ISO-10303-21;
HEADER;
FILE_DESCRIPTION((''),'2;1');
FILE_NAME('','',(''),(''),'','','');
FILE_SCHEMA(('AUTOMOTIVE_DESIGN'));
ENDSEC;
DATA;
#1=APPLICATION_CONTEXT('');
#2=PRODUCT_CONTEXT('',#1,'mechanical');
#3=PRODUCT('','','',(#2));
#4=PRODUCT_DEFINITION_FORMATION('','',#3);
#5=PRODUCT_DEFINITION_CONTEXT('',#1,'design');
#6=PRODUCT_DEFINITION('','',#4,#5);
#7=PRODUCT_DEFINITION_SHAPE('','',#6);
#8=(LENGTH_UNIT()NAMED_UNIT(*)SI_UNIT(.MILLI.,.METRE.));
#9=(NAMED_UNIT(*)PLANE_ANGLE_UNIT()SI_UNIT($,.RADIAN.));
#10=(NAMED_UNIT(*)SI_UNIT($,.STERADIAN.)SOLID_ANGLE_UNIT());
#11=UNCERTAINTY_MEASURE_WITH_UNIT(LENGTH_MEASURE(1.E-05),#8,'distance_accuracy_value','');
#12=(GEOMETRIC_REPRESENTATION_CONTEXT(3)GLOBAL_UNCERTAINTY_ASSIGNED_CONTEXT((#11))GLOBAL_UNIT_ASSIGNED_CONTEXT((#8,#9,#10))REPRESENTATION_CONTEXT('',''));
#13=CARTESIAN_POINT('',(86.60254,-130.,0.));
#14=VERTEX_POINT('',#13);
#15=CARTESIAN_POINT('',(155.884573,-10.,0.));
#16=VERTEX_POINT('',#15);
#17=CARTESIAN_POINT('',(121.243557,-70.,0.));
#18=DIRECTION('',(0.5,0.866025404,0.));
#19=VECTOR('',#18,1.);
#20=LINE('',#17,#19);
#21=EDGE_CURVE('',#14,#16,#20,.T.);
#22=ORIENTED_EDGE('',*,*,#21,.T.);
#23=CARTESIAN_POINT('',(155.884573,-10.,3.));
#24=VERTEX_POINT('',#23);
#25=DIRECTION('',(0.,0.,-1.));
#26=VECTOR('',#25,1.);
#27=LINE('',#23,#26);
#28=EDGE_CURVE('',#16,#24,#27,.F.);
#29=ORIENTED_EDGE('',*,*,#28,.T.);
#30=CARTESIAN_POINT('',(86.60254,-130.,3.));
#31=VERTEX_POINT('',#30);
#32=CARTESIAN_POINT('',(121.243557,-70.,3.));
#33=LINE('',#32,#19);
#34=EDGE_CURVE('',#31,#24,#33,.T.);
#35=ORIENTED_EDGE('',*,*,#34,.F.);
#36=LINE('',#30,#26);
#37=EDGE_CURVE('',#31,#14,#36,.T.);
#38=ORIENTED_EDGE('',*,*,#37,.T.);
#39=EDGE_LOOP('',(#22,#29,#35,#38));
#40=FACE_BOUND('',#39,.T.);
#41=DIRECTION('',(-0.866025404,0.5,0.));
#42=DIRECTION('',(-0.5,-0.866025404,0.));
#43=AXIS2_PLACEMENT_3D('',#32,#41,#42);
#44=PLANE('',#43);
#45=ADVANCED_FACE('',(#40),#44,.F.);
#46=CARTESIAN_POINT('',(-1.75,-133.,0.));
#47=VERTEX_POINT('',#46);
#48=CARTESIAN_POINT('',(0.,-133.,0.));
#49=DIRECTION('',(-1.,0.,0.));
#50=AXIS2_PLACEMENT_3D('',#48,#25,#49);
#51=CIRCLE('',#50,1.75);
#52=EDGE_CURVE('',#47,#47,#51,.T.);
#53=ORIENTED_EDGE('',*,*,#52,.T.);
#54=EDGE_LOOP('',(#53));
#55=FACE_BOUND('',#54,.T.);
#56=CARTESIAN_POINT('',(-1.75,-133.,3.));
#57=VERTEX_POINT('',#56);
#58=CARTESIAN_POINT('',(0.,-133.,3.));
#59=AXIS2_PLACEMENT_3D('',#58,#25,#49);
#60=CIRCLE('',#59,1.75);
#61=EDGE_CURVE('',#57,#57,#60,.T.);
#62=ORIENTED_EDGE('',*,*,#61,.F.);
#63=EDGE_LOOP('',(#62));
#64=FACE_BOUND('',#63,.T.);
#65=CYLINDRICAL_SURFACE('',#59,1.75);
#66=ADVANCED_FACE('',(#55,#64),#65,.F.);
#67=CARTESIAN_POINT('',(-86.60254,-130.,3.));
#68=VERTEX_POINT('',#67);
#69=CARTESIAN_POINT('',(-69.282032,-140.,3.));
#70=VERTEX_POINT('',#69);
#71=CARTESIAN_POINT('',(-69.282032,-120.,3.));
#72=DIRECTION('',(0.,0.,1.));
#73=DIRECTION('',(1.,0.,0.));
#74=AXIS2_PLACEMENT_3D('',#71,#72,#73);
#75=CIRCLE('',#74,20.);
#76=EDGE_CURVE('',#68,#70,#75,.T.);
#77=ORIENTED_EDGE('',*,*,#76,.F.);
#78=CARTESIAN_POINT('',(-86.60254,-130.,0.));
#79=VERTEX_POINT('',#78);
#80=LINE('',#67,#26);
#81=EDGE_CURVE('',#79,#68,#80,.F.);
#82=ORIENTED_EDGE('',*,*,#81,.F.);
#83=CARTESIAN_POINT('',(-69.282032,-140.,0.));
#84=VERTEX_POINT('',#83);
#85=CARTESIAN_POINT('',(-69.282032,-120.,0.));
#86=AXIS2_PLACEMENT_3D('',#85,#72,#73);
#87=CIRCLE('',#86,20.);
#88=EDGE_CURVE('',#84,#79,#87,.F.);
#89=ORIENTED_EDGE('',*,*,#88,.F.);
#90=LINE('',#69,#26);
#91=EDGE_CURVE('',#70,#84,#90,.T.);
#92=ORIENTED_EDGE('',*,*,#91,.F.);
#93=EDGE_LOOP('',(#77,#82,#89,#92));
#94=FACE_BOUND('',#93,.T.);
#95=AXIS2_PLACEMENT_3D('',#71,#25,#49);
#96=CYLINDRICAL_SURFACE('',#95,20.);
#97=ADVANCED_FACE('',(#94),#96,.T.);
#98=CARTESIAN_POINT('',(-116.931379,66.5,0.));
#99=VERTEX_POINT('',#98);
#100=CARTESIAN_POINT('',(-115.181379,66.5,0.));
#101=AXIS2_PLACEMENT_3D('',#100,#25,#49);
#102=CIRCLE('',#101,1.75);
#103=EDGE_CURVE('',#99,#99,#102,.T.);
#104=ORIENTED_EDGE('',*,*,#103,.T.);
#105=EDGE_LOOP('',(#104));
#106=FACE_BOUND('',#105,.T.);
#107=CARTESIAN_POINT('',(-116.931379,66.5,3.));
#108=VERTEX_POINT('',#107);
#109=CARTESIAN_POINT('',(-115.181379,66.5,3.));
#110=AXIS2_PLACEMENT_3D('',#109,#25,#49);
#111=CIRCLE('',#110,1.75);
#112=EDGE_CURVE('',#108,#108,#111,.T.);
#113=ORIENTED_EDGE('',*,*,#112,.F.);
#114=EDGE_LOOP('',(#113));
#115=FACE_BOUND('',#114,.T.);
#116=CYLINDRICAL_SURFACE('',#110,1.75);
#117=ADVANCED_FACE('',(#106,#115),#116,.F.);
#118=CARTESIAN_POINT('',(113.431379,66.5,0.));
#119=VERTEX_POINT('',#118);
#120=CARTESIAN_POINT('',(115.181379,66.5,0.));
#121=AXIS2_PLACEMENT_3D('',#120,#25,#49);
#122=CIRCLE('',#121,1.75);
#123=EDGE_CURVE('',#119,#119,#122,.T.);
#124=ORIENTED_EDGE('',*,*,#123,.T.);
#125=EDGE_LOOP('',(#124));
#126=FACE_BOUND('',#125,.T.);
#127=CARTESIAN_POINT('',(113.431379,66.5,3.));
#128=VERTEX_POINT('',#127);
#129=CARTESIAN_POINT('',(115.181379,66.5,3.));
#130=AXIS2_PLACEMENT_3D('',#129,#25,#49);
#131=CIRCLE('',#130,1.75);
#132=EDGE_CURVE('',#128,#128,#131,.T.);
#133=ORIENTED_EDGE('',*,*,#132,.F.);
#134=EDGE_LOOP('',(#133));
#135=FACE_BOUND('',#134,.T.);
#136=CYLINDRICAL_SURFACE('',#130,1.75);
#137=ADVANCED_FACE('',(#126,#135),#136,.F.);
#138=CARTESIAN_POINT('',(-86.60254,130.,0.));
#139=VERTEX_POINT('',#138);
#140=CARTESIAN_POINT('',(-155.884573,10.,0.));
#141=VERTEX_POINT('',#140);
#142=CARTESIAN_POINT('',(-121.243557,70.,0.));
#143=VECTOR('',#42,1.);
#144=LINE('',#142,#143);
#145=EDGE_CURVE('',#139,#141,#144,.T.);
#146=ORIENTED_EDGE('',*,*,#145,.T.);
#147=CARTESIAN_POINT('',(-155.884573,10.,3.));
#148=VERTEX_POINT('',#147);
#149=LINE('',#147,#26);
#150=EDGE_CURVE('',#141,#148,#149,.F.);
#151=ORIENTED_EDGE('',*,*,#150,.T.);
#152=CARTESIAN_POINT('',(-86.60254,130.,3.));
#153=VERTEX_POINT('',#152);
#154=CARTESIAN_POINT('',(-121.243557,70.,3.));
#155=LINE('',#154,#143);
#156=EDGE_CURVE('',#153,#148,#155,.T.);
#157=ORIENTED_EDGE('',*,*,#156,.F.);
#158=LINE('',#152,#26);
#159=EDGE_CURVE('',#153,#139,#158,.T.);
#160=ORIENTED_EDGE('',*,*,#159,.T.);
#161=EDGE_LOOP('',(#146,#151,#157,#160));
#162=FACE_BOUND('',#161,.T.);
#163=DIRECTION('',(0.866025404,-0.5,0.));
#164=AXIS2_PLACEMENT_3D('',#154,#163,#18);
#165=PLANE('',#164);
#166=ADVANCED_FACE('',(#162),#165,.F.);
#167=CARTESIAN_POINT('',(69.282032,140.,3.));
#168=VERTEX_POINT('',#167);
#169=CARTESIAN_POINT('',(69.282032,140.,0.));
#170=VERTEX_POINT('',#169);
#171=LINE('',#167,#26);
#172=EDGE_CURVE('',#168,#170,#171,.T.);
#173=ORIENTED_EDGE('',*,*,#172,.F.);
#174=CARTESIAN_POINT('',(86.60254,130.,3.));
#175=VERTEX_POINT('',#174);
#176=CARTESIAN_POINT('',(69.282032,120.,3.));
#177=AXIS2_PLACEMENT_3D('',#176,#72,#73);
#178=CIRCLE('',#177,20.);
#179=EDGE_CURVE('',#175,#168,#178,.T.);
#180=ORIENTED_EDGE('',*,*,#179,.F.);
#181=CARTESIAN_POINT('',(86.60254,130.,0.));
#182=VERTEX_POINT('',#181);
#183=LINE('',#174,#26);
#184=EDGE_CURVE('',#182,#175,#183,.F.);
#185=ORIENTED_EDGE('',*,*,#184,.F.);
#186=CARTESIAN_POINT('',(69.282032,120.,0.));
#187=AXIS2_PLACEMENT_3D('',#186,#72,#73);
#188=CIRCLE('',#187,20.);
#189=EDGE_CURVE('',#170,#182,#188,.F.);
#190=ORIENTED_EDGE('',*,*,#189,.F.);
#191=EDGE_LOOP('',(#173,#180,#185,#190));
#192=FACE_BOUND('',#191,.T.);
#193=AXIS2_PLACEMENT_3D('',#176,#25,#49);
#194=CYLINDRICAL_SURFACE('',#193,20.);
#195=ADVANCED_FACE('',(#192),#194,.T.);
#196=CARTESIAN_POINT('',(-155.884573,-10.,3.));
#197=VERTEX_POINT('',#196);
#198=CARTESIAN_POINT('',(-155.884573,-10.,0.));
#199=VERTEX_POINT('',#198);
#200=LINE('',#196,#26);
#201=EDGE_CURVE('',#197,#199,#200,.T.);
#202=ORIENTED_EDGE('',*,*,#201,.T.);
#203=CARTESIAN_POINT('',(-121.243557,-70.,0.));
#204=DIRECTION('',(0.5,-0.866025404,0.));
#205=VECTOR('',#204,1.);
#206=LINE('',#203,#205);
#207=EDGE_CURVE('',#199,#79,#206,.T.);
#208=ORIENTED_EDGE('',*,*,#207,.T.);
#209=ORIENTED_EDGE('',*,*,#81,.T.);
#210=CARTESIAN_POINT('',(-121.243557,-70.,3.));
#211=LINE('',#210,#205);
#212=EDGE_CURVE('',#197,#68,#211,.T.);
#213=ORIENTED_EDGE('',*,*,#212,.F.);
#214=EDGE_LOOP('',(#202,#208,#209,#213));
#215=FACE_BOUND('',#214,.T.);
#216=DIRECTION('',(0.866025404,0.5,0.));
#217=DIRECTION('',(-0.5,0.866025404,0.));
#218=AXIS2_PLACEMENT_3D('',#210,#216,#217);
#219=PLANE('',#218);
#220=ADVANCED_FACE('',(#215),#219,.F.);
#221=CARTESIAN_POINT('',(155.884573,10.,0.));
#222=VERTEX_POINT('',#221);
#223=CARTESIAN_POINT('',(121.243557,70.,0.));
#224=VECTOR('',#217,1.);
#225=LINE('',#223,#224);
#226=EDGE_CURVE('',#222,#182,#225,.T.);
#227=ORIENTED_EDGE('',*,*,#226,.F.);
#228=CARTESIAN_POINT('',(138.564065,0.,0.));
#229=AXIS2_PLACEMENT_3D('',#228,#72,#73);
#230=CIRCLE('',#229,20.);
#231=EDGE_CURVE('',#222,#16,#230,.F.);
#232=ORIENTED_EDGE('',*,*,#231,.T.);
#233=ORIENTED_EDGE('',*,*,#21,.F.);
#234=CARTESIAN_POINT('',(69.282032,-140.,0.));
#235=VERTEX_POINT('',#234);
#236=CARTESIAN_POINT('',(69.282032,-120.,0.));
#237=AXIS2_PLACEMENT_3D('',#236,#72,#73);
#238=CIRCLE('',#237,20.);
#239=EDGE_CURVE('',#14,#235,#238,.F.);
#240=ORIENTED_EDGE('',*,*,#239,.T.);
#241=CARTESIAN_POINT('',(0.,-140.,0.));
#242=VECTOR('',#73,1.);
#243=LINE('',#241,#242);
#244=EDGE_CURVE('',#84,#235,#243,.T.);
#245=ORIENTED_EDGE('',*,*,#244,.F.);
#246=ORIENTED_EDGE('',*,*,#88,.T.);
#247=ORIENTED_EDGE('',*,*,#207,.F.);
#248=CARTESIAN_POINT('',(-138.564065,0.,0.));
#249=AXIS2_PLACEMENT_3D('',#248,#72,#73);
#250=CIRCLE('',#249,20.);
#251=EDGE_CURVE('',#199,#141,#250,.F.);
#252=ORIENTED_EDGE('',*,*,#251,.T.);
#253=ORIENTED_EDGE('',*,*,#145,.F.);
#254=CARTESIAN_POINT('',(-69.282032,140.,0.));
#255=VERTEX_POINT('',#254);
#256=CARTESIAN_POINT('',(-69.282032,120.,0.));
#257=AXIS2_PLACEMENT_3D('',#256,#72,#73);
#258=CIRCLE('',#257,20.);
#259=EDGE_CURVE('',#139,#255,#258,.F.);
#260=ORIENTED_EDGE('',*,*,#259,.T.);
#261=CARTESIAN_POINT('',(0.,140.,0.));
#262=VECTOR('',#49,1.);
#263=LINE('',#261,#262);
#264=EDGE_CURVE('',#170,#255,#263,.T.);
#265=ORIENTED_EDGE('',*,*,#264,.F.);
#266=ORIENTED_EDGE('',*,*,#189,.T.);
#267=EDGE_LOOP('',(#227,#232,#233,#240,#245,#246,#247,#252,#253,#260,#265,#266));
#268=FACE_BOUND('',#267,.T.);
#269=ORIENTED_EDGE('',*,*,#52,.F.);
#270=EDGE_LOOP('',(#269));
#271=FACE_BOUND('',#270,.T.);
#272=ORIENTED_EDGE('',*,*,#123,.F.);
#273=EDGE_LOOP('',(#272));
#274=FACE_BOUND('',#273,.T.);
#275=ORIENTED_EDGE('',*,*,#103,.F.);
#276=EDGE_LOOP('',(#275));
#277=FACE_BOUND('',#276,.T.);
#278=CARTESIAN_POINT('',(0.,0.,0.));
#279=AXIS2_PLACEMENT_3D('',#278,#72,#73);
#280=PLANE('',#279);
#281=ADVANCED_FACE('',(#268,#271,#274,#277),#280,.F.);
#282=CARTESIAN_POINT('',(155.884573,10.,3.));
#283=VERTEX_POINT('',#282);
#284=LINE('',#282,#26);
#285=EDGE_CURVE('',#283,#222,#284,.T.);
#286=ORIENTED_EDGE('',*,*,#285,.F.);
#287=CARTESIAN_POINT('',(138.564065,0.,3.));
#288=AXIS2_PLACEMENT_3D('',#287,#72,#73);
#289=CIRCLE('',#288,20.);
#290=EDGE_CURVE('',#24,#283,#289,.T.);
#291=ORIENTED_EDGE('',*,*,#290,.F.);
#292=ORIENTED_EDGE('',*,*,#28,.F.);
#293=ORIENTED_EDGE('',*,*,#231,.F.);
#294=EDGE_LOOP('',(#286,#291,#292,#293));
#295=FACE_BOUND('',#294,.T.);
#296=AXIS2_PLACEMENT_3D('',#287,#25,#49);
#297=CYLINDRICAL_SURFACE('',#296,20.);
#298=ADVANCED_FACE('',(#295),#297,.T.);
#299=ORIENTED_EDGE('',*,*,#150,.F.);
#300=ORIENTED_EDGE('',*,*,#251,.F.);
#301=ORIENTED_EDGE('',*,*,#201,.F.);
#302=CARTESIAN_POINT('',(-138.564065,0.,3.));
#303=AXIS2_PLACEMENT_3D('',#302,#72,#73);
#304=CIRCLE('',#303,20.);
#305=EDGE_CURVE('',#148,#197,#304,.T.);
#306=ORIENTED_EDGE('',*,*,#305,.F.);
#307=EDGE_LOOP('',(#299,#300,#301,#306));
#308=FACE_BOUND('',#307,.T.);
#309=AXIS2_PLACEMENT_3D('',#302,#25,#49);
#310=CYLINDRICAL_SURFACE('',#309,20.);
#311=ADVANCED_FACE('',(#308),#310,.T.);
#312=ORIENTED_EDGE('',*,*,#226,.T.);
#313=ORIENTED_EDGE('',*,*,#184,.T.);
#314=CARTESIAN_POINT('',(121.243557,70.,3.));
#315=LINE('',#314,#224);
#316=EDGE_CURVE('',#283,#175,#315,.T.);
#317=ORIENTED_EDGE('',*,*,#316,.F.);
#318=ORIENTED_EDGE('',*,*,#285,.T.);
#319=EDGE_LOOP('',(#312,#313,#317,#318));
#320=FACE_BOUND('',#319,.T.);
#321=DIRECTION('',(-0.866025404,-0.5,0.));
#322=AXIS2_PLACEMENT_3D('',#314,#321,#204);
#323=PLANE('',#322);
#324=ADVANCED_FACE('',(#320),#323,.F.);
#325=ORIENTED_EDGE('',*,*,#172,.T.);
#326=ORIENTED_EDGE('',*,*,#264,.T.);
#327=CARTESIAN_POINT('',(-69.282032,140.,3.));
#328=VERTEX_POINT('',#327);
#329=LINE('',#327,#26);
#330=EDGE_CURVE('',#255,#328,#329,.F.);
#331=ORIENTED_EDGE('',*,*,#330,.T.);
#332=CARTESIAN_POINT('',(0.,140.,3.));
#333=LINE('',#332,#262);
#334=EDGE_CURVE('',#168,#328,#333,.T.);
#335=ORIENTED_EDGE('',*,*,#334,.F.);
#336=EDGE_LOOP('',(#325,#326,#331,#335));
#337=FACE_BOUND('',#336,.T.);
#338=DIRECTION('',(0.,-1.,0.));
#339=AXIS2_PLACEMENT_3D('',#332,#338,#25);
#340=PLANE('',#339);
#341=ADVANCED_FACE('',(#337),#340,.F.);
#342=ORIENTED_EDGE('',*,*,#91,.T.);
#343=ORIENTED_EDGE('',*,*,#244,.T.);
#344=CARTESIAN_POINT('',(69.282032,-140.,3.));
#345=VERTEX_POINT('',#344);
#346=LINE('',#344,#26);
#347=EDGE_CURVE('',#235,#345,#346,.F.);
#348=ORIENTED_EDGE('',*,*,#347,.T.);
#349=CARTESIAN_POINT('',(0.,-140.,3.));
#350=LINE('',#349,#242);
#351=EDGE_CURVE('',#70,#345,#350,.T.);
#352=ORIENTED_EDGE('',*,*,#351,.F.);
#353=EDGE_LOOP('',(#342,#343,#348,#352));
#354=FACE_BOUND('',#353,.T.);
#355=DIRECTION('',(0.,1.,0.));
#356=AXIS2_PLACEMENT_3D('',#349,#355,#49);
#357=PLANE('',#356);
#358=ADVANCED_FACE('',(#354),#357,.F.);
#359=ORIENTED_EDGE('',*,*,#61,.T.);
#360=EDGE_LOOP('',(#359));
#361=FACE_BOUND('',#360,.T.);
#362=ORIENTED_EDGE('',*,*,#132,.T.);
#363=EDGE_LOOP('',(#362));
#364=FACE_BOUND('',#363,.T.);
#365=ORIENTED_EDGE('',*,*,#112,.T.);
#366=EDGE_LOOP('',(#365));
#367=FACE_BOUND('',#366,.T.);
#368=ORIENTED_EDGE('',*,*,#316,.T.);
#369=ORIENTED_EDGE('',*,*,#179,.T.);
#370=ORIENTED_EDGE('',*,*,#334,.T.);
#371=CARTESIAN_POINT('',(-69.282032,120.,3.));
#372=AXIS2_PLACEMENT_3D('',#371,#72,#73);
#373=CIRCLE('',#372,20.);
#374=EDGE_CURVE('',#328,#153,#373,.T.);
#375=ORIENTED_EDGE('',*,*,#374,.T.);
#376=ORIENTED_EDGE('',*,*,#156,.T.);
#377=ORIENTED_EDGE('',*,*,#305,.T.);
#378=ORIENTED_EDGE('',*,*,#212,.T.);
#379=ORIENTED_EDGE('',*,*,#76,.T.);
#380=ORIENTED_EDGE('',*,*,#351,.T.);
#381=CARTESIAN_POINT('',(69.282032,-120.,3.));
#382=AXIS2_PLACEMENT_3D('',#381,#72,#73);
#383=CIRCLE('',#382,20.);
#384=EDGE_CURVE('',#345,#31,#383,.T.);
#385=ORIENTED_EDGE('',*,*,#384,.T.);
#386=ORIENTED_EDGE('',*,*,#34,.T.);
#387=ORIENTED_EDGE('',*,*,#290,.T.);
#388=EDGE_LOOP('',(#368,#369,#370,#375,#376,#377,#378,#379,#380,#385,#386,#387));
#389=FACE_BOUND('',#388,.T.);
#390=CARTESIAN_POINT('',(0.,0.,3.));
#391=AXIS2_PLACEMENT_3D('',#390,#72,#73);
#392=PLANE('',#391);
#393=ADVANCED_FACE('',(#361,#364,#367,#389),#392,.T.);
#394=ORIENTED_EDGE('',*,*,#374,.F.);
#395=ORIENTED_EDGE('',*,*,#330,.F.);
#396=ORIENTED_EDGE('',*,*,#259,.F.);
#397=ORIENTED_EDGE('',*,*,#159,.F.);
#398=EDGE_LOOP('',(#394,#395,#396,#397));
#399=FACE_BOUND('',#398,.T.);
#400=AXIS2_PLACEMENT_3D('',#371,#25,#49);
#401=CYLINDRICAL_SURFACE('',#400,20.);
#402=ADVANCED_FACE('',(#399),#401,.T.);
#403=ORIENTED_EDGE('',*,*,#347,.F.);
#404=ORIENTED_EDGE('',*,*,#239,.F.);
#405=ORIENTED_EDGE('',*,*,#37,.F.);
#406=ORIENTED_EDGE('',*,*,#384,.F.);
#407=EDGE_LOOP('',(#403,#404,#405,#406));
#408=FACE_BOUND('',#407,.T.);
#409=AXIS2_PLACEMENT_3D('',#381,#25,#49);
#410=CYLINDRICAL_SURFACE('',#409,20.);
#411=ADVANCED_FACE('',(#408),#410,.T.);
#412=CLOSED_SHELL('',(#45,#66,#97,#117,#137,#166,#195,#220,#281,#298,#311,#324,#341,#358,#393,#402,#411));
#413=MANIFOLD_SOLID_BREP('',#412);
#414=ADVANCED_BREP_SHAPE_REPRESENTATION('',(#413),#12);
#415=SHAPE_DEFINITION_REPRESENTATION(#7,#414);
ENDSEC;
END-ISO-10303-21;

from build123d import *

# Parameters (mm, degrees)
SALIENTE_EXTRUIR1_DEPTH = 3
REDONDEO1_R             = 20
CROQUIS2_R              = 1.75
CORTAR_EXTRUIR1_DEPTH   = 212.545651301


with BuildPart() as part:
    # Croquis1 → Saliente-Extruir1 (new body)
    with BuildSketch(Plane.XY):
        Polygon((-80.829037687, -140), (80.829037687, -140), (161.658075373, 0), (80.829037687, 140), (-80.829037687, 140), (-161.658075373, 0), align=None)
    extrude(amount=SALIENTE_EXTRUIR1_DEPTH)

    # Redondeo1
    redondeo1_edges = [part.edges().sort_by_distance(p)[0] for p in [
        (161.658075373, 0, 1.5),
        (80.829037687, -140, 1.5),
        (-80.829037687, -140, 1.5),
        (-161.658075373, 0, 1.5),
        (-80.829037687, 140, 1.5),
        (80.829037687, 140, 1.5),
    ]]
    fillet(redondeo1_edges, radius=REDONDEO1_R)

    # Croquis2 → Cortar-Extruir1 (cut, through all)
    with BuildSketch(Plane(origin=(0, 0, 0), x_dir=(1, 0, 0), z_dir=(0, 0, -1))):
        with Locations(Location((0, 133, 0), (0, 0, 180))):
            Circle(CROQUIS2_R)
        with Locations(Location((115.181378703, -66.5, 0), (0, 0, 180))):
            Circle(CROQUIS2_R)
        with Locations(Location((-115.181378703, -66.5, 0), (0, 0, 180))):
            Circle(CROQUIS2_R)
    extrude(amount=-CORTAR_EXTRUIR1_DEPTH, mode=Mode.SUBTRACT)


solid = part.part
